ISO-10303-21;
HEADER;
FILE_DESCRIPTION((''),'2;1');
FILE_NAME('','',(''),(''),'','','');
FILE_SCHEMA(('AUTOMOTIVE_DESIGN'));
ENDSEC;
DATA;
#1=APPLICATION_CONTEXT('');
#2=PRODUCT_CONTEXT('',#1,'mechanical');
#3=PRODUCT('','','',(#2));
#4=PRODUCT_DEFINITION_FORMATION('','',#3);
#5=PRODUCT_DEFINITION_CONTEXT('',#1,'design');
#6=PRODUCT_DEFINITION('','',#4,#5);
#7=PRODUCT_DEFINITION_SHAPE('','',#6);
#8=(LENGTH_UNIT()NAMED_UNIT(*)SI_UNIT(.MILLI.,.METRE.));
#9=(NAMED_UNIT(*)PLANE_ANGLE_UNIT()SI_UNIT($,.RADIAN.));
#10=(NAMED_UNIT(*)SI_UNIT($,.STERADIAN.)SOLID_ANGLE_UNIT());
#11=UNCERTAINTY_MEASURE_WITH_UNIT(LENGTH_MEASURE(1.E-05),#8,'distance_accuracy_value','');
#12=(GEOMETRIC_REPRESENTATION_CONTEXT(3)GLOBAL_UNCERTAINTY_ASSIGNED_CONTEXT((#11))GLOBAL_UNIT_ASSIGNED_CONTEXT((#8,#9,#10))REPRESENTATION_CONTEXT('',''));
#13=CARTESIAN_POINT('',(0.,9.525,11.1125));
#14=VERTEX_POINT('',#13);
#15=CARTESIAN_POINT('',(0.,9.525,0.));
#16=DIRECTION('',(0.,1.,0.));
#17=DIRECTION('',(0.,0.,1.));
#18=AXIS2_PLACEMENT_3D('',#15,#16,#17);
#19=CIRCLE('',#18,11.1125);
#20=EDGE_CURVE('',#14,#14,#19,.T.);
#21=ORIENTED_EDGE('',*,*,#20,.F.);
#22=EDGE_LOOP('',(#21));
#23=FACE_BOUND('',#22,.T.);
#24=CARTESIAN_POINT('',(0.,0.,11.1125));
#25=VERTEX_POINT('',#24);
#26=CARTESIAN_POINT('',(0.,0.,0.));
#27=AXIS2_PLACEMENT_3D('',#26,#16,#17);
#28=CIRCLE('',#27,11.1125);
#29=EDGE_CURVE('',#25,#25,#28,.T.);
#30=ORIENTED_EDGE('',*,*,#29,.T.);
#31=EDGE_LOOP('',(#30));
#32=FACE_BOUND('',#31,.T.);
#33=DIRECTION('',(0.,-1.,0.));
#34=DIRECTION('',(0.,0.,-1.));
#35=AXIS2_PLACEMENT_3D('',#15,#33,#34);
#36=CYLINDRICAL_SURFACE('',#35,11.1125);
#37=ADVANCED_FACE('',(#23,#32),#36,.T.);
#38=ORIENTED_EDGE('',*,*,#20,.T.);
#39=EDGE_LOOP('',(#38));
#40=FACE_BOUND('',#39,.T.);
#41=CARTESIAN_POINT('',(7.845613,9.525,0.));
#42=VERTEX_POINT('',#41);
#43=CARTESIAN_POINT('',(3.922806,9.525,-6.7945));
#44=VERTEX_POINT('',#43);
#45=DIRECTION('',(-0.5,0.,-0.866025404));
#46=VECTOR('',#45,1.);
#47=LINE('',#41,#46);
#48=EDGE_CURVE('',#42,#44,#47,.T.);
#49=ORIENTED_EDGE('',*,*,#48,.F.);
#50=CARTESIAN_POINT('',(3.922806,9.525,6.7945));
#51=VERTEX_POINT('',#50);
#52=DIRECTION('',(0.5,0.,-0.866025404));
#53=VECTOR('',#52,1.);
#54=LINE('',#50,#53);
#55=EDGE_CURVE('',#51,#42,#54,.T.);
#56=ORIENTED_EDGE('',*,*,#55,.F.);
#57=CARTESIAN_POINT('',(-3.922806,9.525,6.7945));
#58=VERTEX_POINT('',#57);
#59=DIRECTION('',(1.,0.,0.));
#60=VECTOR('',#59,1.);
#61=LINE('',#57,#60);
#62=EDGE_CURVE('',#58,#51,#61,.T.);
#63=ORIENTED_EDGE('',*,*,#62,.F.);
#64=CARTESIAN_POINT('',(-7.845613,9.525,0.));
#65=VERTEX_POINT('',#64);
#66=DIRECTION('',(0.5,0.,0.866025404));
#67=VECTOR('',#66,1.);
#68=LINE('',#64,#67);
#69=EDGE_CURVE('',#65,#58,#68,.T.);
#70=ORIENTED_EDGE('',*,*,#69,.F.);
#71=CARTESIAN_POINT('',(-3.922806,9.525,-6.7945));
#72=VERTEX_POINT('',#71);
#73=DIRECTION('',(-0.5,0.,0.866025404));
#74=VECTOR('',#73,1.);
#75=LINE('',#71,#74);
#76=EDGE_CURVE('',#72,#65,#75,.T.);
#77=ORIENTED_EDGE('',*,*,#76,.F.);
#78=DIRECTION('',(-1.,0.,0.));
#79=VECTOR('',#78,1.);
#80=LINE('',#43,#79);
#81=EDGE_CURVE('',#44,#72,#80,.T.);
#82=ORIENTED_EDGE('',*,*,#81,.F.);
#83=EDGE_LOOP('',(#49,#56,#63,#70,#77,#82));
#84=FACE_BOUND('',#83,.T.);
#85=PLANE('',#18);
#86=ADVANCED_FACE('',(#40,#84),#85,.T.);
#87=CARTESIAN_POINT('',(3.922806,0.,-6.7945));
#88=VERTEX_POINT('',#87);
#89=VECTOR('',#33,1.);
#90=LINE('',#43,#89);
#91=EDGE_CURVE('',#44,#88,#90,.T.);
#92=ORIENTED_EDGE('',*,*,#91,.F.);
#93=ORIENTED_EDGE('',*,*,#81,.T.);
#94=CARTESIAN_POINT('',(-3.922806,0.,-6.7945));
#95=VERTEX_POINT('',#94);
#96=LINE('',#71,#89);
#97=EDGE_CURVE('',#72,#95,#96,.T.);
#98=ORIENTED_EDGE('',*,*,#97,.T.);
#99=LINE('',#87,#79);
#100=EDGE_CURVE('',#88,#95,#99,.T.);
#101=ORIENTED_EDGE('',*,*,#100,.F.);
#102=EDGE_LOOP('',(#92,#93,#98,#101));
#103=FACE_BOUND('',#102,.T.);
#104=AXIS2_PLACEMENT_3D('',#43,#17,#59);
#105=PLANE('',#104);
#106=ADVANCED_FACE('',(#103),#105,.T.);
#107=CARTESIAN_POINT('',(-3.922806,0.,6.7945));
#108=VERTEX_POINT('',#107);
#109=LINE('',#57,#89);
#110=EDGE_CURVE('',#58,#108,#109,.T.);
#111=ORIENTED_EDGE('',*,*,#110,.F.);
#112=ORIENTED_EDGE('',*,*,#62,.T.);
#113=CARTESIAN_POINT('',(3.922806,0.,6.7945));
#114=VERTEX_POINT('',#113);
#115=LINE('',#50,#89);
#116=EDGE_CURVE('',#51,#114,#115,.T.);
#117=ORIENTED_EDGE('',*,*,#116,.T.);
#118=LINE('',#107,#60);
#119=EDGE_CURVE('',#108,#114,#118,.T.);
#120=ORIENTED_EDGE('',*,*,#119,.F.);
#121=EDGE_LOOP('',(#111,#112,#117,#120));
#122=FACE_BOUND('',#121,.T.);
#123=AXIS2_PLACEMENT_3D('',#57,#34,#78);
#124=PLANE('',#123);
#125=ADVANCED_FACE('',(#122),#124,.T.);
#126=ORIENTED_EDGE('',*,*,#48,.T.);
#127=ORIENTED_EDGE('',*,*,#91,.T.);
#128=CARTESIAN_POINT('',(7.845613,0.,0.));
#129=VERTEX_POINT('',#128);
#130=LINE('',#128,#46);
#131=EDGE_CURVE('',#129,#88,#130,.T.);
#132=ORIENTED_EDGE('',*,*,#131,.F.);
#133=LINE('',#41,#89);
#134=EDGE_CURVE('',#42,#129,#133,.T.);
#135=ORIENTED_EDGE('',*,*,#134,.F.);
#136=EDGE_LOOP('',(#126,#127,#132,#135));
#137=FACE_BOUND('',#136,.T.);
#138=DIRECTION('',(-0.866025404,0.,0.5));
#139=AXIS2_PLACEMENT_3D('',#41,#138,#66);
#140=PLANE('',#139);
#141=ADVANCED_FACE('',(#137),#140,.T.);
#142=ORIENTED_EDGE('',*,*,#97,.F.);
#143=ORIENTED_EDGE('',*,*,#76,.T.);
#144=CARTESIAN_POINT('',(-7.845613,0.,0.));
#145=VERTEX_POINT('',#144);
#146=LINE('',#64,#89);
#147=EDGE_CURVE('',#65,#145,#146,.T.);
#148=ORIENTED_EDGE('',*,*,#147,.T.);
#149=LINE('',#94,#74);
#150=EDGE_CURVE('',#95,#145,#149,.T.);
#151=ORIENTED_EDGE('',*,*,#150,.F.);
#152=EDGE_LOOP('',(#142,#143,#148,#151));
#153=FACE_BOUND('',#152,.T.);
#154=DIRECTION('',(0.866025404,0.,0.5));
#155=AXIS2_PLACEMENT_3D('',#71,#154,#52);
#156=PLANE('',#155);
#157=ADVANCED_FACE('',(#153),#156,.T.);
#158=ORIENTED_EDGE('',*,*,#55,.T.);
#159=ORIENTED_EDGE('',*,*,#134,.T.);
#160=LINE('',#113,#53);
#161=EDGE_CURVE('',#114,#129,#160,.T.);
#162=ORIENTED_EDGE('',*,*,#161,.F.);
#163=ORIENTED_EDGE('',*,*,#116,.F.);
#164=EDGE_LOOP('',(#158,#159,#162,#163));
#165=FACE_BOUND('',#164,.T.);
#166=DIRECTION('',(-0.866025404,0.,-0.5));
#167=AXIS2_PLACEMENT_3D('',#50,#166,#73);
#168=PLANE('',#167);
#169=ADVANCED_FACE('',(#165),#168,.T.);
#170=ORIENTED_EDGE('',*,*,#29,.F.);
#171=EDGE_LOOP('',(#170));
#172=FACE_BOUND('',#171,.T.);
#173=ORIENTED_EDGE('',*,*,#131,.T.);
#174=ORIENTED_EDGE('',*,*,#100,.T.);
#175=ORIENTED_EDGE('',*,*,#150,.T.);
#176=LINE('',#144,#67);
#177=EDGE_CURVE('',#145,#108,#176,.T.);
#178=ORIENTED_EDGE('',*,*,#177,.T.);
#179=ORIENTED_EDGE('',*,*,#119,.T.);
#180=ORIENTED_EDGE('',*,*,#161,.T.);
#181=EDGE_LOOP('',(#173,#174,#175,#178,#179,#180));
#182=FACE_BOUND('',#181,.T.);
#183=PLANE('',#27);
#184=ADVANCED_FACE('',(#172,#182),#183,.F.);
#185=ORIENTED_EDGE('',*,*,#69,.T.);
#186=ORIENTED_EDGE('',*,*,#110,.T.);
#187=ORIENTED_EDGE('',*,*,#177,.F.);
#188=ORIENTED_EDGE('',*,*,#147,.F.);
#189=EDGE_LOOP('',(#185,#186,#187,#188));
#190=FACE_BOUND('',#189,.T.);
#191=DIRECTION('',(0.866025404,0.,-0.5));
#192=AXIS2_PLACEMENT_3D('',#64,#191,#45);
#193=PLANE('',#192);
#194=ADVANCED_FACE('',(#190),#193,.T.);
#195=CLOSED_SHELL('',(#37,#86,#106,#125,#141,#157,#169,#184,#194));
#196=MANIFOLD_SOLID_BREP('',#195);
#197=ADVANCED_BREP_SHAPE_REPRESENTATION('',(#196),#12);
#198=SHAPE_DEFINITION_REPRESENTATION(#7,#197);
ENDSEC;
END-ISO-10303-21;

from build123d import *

# Parameters (mm, degrees)
SKETCH1_R           = 11.1125
BOSS_EXTRUDE1_DEPTH = 9.525


with BuildPart() as part:
    # Sketch1 → Boss-Extrude1 (new body)
    with BuildSketch(Plane(origin=(0, 0, 0), x_dir=(1, 0, 0), z_dir=(0, 1, 0))):
        Circle(SKETCH1_R)
        Polygon((7.845612808, 0), (3.922806404, 6.7945), (-3.922806404, 6.7945), (-7.845612808, 0), (-3.922806404, -6.7945), (3.922806404, -6.7945), align=None, mode=Mode.SUBTRACT)
    extrude(amount=BOSS_EXTRUDE1_DEPTH)


solid = part.part
